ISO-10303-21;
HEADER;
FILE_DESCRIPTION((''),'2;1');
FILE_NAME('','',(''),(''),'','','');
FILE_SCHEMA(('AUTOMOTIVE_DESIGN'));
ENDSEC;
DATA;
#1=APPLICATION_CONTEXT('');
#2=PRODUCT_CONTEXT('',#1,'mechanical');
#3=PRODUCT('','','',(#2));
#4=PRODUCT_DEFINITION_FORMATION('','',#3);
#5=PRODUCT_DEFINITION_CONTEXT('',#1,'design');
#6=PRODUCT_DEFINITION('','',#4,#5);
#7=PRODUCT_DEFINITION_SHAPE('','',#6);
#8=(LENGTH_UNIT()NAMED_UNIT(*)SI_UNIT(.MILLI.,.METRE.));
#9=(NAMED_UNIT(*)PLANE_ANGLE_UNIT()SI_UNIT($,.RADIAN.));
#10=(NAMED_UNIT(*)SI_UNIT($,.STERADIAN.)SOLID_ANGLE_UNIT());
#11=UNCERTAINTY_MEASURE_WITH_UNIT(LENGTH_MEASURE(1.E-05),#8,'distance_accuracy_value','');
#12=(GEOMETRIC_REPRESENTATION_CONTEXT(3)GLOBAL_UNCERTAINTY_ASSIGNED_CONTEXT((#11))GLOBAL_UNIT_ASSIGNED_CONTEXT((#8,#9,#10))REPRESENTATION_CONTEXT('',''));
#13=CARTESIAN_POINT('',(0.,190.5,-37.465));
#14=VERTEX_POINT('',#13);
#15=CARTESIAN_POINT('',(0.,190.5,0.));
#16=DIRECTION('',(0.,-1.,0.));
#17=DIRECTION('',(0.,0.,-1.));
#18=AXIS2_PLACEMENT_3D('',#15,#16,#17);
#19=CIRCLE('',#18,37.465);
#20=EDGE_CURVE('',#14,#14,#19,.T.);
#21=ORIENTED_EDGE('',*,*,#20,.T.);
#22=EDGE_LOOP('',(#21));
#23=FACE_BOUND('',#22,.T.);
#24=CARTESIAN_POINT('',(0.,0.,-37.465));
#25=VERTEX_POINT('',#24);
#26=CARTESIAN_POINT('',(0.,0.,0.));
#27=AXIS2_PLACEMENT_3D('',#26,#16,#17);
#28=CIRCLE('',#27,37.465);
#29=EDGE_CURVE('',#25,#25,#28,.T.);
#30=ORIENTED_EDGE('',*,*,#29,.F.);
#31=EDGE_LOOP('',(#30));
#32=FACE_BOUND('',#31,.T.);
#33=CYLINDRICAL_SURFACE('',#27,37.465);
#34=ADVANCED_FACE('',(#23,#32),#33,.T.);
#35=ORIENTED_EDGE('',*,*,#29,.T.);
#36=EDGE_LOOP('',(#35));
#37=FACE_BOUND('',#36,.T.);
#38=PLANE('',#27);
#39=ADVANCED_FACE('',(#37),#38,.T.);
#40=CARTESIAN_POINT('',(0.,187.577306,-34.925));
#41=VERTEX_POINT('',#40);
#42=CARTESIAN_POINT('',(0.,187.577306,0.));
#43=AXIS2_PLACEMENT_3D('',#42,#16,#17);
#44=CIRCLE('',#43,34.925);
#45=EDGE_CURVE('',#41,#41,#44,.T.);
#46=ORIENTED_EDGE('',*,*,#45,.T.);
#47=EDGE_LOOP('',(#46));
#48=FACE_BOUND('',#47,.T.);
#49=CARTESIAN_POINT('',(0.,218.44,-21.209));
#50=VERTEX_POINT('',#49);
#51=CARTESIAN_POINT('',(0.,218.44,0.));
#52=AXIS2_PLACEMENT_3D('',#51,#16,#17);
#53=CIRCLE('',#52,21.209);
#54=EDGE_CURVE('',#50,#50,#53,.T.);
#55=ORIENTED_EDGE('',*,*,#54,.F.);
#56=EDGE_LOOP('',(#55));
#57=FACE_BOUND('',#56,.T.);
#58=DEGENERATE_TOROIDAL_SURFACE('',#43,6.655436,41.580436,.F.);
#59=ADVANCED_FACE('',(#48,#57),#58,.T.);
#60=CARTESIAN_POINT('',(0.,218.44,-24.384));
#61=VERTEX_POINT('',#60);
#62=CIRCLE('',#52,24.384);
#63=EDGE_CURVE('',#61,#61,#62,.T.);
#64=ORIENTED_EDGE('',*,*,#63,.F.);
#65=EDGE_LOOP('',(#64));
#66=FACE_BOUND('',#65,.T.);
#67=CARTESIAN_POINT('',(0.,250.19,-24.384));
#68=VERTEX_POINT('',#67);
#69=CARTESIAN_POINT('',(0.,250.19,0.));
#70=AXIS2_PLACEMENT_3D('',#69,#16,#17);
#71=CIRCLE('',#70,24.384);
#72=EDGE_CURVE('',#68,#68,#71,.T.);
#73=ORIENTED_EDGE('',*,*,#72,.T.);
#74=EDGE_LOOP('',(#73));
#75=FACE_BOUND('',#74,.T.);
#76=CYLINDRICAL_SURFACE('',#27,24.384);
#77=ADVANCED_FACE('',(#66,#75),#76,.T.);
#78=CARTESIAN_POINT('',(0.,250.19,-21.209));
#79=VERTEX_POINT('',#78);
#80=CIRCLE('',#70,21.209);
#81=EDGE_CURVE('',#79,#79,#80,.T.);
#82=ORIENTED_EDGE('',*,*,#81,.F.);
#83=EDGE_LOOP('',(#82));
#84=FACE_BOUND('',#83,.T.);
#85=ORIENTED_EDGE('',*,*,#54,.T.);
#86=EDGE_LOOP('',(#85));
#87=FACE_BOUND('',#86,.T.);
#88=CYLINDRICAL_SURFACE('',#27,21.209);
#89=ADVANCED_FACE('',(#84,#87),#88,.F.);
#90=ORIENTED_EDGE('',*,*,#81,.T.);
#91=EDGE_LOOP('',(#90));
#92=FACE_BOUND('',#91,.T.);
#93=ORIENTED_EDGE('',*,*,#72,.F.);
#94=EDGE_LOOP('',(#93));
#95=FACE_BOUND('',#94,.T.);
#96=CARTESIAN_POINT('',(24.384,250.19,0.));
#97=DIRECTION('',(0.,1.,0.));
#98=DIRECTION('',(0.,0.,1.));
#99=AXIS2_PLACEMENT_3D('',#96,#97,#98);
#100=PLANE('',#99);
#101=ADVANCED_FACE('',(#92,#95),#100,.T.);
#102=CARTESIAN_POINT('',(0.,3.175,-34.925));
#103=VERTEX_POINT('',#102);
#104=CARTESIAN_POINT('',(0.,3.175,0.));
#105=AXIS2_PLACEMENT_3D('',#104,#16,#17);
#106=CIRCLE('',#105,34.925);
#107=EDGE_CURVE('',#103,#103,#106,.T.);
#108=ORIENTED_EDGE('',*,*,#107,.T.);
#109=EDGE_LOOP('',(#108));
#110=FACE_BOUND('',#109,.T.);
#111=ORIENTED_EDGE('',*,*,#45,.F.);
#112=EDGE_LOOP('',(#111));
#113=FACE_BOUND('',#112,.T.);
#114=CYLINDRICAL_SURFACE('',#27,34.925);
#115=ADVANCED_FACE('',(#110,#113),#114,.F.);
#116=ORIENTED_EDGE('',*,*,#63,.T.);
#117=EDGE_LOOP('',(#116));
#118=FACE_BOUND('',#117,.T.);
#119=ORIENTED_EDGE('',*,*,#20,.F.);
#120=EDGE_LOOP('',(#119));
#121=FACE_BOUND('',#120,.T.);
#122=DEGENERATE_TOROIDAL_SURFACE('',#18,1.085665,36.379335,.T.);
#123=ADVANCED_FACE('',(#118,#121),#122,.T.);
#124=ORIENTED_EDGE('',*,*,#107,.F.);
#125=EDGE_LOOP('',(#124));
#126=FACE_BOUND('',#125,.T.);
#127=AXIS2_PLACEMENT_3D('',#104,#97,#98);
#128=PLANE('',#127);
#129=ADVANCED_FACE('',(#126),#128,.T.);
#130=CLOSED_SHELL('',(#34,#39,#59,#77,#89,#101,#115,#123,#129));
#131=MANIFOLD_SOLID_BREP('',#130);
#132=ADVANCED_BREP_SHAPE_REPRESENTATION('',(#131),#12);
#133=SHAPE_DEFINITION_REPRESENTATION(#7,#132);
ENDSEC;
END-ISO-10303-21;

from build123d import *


with BuildPart() as part:
    # Sketch3 → Revolve1 (revolve)
    with BuildSketch(Plane.XY):
        with BuildLine():
            Line((0, 0), (37.465, 0))
            Line((37.465, 0), (37.465, 190.5))
            ThreePointArc((37.465, 190.5), (34.032849621, 205.925272777), (24.384, 218.44))
            Line((24.384, 218.44), (24.384, 250.19))
            Line((24.384, 250.19), (21.209, 250.19))
            Line((21.209, 250.19), (21.209, 218.44))
            ThreePointArc((21.209, 218.44), (31.341590564, 204.463946967), (34.925, 187.577306486))
            Line((34.925, 187.577306486), (34.925, 3.175))
            Line((34.925, 3.175), (0, 3.175))
            Line((0, 3.175), (0, 0))
        make_face()
    revolve(axis=Axis((0, 0, 0), (0, 1, 0)))


solid = part.part
